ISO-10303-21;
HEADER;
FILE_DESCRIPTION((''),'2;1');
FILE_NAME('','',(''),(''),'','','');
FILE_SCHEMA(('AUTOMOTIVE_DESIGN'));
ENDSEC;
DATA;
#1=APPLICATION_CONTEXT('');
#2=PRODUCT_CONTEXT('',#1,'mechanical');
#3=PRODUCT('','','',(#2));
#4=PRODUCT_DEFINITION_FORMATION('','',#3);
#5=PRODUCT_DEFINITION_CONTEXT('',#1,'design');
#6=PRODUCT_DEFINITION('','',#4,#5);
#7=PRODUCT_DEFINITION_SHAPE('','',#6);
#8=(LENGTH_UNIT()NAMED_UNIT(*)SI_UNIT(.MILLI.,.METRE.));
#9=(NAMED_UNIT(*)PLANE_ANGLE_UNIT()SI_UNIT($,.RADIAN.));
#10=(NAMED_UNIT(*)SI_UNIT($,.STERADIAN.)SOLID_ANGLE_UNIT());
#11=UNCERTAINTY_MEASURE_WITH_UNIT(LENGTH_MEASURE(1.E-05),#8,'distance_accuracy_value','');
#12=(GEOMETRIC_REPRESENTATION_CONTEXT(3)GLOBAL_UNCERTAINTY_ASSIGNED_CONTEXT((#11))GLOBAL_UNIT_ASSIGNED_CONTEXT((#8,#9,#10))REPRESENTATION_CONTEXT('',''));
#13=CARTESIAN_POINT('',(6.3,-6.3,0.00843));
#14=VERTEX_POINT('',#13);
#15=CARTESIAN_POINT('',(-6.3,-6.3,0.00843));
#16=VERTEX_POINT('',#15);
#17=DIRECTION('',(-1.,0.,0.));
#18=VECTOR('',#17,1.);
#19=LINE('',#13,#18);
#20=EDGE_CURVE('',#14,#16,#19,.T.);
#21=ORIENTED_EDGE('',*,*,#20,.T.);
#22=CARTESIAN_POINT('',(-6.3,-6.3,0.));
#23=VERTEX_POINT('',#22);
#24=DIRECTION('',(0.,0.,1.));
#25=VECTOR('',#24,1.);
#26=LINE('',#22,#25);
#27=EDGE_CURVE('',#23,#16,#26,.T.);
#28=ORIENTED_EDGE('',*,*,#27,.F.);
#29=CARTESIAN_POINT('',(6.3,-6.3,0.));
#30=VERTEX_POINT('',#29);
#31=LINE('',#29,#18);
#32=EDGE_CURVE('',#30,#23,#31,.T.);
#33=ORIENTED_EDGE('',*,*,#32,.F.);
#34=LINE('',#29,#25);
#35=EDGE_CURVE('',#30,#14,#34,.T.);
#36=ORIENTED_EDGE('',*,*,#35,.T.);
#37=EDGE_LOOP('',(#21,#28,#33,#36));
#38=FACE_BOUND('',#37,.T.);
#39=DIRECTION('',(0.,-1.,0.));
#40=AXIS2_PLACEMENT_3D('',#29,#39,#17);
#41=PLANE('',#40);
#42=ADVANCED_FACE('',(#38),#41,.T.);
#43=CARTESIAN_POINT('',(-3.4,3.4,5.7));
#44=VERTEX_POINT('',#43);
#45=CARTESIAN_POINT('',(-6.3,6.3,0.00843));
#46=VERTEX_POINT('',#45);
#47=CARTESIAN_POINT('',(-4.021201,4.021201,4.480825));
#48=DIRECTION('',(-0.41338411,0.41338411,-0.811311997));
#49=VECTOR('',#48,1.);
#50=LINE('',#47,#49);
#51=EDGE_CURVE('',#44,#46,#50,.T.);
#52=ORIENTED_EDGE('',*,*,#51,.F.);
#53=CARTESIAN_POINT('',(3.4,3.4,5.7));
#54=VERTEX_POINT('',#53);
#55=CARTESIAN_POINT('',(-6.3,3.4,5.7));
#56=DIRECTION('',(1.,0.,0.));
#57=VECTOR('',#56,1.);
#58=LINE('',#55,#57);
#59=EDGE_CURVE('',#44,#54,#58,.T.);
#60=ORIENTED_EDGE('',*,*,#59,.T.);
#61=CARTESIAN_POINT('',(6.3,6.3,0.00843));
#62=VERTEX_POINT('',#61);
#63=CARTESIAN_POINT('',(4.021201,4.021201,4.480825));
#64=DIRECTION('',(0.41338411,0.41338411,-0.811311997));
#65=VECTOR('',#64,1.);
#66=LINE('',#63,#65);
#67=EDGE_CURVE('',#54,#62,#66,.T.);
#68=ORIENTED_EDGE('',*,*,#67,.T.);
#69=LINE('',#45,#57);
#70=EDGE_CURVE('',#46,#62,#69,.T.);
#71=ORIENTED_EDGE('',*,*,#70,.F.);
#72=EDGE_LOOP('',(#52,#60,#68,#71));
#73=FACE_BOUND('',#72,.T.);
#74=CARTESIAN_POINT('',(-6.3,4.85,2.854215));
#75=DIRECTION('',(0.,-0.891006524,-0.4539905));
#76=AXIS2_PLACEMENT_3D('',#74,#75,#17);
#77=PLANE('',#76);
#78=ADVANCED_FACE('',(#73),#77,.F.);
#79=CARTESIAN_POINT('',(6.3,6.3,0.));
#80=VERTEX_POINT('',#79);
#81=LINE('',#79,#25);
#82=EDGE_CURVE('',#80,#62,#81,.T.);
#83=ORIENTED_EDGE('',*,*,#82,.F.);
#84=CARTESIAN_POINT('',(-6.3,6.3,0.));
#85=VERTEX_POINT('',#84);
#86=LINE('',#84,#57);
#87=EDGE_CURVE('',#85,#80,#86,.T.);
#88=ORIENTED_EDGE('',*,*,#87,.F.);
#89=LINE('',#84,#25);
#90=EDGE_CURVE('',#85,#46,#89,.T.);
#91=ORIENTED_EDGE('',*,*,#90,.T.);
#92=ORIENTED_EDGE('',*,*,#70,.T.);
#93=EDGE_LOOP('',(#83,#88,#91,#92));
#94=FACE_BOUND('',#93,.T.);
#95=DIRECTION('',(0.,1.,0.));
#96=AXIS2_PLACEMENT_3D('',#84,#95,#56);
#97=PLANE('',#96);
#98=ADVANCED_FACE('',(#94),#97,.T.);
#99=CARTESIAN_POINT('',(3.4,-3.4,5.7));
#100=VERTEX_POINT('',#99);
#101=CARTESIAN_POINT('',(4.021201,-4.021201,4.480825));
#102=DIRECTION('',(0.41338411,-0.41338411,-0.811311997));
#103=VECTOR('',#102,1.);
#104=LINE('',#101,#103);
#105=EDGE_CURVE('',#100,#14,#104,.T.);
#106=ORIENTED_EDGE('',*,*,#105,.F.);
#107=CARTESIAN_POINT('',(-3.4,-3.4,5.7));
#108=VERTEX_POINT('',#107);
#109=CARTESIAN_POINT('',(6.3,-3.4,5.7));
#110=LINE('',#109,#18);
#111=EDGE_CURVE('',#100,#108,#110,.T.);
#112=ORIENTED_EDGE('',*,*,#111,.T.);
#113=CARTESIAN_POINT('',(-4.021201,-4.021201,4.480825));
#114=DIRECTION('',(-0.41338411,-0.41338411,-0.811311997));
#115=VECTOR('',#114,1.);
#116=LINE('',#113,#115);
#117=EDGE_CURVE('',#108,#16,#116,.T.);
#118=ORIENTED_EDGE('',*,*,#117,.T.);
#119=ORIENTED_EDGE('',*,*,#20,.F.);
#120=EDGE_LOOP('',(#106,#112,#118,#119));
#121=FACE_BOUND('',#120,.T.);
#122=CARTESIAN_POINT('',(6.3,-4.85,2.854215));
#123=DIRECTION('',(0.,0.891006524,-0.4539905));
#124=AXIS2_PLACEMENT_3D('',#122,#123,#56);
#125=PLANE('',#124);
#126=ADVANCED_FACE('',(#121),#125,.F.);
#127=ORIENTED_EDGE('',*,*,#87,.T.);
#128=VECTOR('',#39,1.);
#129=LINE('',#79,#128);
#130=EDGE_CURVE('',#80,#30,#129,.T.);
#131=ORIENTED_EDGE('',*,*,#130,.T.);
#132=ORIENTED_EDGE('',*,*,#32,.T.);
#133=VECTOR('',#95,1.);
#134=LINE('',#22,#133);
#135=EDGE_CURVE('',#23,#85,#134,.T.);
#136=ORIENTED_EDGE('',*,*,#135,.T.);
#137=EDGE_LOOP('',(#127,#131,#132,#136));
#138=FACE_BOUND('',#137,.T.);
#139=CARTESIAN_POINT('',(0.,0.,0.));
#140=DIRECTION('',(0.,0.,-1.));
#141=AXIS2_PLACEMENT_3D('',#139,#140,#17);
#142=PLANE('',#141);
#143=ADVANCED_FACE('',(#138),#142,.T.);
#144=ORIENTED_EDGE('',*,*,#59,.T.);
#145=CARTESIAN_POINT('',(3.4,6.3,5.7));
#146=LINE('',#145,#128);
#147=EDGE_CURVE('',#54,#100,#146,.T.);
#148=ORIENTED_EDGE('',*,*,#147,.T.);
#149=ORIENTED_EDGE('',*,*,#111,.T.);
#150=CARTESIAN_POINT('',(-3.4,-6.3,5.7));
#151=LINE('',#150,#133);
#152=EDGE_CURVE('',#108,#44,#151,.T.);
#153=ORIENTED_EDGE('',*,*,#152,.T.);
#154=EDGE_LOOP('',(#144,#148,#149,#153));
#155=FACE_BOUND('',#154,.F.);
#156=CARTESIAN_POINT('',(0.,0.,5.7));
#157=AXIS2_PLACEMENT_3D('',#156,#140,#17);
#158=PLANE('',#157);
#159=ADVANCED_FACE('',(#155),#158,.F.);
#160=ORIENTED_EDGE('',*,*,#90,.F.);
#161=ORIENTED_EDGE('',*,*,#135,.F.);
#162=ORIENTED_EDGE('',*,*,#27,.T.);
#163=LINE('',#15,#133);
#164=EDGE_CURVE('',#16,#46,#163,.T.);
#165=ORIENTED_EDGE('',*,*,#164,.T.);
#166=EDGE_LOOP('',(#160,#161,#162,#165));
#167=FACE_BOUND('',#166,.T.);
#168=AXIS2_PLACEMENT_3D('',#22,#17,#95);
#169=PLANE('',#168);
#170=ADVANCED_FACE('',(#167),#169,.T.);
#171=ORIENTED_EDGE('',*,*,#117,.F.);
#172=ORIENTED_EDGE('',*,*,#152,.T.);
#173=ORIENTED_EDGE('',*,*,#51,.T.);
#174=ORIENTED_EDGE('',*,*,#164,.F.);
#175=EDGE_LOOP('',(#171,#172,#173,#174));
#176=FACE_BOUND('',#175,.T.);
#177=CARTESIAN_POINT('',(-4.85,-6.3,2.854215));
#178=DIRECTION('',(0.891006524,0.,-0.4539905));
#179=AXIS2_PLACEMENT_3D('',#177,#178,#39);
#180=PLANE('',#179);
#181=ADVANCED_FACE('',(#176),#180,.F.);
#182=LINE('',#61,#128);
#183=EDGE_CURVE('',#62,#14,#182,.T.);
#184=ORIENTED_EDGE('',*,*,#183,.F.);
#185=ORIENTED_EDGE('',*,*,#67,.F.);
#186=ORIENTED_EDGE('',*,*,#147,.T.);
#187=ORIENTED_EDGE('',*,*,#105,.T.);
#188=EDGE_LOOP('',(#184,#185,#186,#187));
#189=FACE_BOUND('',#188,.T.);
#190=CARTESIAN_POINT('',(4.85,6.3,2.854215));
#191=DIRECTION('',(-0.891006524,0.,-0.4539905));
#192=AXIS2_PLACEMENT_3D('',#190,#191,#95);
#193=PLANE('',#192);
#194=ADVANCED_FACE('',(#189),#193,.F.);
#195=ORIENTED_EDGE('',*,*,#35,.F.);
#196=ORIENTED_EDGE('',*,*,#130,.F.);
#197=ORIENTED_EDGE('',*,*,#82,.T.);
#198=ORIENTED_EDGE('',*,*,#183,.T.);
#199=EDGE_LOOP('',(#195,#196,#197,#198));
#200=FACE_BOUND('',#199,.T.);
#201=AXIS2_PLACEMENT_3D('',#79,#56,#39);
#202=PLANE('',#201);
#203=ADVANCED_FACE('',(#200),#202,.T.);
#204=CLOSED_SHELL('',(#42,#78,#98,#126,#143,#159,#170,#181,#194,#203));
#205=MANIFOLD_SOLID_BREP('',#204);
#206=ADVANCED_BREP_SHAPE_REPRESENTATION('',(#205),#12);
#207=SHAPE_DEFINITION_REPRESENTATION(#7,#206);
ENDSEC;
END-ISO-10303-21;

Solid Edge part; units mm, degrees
sketch "Sketch1" plane through (0, 0, 0) normal (0, 0, 1) x (1, 0, 0)
  line L0 (6.3, 6.3) -> (6.3, -6.3)
  line L1 (6.3, -6.3) -> (-6.3, -6.3)
  line L2 (-6.3, -6.3) -> (-6.3, 6.3)
  line L3 (-6.3, 6.3) -> (6.3, 6.3)
extrude "Protrusion1" add sketch "Sketch1" along normal blind 5.7
chamfer "Chanfrein_1" distance 2.9 angle 63 4 edges at (0, -6.3, 5.7) (6.3, 0, 5.7) (0, 6.3, 5.7) (-6.3, 0, 5.7) measured on face at (4.326, -4.074, 5.7)
